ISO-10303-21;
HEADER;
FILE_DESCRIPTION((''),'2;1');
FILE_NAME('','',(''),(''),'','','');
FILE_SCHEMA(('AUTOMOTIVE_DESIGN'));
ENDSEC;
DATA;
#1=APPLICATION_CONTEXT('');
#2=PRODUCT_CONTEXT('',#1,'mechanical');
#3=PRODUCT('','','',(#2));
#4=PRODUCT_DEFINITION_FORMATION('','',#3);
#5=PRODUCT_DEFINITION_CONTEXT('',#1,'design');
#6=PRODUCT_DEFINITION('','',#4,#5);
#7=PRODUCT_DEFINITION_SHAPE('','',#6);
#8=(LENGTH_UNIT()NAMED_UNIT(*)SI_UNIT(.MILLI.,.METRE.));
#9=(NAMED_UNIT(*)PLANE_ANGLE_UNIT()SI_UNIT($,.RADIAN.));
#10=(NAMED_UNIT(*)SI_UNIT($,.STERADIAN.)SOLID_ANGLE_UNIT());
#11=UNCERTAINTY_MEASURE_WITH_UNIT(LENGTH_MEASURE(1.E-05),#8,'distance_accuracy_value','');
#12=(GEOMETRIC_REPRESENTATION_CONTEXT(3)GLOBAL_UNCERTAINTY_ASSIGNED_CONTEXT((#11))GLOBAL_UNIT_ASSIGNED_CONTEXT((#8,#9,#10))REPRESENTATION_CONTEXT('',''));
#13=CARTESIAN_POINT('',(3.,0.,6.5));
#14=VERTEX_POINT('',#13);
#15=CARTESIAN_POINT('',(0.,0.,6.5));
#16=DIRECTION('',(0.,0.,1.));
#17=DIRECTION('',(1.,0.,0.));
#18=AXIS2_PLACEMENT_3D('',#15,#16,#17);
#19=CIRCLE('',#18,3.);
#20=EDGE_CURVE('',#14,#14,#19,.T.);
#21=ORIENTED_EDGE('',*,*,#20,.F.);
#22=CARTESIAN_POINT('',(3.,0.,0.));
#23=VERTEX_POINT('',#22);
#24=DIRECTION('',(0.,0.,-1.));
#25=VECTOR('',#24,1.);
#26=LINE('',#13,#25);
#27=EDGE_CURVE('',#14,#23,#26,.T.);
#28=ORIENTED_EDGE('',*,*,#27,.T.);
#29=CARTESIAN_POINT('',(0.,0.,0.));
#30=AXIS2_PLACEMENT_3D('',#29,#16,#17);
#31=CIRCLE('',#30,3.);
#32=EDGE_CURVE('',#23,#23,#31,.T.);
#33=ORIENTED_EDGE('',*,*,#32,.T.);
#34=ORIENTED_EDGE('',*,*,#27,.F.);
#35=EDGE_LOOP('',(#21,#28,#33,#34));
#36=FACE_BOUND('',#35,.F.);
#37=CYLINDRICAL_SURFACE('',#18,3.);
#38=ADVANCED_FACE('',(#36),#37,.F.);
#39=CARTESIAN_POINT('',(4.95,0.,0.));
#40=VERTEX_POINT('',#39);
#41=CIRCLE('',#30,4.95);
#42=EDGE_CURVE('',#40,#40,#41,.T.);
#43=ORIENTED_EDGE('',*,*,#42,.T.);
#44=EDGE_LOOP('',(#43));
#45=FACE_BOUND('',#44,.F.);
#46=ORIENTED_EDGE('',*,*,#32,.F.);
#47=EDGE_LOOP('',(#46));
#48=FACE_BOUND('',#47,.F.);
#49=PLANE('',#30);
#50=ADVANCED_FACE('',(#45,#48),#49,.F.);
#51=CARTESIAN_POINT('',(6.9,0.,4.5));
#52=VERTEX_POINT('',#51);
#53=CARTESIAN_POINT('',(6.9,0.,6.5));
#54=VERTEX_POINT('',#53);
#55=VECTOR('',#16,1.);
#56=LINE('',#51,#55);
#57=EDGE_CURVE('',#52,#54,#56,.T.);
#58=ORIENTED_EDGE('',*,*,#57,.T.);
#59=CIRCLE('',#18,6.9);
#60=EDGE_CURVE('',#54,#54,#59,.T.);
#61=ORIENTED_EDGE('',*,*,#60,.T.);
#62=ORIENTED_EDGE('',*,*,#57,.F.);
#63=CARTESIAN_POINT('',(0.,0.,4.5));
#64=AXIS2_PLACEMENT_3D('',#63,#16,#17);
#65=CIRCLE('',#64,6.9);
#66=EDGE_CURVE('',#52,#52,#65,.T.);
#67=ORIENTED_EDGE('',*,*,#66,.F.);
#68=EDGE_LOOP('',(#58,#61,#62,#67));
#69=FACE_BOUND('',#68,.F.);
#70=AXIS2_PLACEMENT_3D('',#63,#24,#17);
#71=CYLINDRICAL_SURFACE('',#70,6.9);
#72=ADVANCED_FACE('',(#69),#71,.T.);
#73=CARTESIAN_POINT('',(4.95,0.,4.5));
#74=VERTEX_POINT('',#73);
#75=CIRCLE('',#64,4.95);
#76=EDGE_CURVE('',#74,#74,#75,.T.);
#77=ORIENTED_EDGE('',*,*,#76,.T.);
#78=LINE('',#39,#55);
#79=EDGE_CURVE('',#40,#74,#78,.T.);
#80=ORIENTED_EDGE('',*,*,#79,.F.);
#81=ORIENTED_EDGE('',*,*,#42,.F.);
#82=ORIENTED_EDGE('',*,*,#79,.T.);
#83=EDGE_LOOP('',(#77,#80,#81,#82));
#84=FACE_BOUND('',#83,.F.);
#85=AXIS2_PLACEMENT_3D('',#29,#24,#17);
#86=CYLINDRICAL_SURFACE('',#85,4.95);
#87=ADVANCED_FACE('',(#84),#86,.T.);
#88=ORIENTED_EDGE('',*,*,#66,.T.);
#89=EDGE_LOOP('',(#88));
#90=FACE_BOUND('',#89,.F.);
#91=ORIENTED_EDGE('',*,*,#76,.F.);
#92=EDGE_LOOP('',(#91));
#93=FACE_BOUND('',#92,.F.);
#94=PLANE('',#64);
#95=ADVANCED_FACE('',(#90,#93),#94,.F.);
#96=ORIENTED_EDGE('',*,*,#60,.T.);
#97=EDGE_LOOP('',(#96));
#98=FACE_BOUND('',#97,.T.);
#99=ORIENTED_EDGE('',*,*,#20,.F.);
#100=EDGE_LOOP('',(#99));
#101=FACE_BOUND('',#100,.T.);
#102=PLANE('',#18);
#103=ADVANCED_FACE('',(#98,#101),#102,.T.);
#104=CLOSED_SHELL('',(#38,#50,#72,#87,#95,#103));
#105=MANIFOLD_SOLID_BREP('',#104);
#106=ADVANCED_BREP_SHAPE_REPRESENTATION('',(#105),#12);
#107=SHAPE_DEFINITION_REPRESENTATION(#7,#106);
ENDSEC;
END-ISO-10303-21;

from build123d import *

# Parameters (mm, degrees)
SKETCH_R     = 4.95
PAD_DEPTH    = 4.5
SKETCH001_R  = 6.9
PAD001_DEPTH = 2
SKETCH002_R  = 3
POCKET_DEPTH = 20


with BuildPart() as part:
    # Sketch → Pad (new body)
    with BuildSketch(Plane.XY):
        Circle(SKETCH_R)
    extrude(amount=PAD_DEPTH)

    # Sketch001 (on Face3 of Pad) → Pad001 (join)
    with BuildSketch(Plane.XY.offset(4.5)):
        Circle(SKETCH001_R)
    extrude(amount=PAD001_DEPTH)

    # Sketch002 (on Face3 of Pad001) → Pocket (cut)
    with BuildSketch(Plane.XY.offset(6.5)):
        Circle(SKETCH002_R)
    extrude(amount=-POCKET_DEPTH, mode=Mode.SUBTRACT)


solid = part.part
